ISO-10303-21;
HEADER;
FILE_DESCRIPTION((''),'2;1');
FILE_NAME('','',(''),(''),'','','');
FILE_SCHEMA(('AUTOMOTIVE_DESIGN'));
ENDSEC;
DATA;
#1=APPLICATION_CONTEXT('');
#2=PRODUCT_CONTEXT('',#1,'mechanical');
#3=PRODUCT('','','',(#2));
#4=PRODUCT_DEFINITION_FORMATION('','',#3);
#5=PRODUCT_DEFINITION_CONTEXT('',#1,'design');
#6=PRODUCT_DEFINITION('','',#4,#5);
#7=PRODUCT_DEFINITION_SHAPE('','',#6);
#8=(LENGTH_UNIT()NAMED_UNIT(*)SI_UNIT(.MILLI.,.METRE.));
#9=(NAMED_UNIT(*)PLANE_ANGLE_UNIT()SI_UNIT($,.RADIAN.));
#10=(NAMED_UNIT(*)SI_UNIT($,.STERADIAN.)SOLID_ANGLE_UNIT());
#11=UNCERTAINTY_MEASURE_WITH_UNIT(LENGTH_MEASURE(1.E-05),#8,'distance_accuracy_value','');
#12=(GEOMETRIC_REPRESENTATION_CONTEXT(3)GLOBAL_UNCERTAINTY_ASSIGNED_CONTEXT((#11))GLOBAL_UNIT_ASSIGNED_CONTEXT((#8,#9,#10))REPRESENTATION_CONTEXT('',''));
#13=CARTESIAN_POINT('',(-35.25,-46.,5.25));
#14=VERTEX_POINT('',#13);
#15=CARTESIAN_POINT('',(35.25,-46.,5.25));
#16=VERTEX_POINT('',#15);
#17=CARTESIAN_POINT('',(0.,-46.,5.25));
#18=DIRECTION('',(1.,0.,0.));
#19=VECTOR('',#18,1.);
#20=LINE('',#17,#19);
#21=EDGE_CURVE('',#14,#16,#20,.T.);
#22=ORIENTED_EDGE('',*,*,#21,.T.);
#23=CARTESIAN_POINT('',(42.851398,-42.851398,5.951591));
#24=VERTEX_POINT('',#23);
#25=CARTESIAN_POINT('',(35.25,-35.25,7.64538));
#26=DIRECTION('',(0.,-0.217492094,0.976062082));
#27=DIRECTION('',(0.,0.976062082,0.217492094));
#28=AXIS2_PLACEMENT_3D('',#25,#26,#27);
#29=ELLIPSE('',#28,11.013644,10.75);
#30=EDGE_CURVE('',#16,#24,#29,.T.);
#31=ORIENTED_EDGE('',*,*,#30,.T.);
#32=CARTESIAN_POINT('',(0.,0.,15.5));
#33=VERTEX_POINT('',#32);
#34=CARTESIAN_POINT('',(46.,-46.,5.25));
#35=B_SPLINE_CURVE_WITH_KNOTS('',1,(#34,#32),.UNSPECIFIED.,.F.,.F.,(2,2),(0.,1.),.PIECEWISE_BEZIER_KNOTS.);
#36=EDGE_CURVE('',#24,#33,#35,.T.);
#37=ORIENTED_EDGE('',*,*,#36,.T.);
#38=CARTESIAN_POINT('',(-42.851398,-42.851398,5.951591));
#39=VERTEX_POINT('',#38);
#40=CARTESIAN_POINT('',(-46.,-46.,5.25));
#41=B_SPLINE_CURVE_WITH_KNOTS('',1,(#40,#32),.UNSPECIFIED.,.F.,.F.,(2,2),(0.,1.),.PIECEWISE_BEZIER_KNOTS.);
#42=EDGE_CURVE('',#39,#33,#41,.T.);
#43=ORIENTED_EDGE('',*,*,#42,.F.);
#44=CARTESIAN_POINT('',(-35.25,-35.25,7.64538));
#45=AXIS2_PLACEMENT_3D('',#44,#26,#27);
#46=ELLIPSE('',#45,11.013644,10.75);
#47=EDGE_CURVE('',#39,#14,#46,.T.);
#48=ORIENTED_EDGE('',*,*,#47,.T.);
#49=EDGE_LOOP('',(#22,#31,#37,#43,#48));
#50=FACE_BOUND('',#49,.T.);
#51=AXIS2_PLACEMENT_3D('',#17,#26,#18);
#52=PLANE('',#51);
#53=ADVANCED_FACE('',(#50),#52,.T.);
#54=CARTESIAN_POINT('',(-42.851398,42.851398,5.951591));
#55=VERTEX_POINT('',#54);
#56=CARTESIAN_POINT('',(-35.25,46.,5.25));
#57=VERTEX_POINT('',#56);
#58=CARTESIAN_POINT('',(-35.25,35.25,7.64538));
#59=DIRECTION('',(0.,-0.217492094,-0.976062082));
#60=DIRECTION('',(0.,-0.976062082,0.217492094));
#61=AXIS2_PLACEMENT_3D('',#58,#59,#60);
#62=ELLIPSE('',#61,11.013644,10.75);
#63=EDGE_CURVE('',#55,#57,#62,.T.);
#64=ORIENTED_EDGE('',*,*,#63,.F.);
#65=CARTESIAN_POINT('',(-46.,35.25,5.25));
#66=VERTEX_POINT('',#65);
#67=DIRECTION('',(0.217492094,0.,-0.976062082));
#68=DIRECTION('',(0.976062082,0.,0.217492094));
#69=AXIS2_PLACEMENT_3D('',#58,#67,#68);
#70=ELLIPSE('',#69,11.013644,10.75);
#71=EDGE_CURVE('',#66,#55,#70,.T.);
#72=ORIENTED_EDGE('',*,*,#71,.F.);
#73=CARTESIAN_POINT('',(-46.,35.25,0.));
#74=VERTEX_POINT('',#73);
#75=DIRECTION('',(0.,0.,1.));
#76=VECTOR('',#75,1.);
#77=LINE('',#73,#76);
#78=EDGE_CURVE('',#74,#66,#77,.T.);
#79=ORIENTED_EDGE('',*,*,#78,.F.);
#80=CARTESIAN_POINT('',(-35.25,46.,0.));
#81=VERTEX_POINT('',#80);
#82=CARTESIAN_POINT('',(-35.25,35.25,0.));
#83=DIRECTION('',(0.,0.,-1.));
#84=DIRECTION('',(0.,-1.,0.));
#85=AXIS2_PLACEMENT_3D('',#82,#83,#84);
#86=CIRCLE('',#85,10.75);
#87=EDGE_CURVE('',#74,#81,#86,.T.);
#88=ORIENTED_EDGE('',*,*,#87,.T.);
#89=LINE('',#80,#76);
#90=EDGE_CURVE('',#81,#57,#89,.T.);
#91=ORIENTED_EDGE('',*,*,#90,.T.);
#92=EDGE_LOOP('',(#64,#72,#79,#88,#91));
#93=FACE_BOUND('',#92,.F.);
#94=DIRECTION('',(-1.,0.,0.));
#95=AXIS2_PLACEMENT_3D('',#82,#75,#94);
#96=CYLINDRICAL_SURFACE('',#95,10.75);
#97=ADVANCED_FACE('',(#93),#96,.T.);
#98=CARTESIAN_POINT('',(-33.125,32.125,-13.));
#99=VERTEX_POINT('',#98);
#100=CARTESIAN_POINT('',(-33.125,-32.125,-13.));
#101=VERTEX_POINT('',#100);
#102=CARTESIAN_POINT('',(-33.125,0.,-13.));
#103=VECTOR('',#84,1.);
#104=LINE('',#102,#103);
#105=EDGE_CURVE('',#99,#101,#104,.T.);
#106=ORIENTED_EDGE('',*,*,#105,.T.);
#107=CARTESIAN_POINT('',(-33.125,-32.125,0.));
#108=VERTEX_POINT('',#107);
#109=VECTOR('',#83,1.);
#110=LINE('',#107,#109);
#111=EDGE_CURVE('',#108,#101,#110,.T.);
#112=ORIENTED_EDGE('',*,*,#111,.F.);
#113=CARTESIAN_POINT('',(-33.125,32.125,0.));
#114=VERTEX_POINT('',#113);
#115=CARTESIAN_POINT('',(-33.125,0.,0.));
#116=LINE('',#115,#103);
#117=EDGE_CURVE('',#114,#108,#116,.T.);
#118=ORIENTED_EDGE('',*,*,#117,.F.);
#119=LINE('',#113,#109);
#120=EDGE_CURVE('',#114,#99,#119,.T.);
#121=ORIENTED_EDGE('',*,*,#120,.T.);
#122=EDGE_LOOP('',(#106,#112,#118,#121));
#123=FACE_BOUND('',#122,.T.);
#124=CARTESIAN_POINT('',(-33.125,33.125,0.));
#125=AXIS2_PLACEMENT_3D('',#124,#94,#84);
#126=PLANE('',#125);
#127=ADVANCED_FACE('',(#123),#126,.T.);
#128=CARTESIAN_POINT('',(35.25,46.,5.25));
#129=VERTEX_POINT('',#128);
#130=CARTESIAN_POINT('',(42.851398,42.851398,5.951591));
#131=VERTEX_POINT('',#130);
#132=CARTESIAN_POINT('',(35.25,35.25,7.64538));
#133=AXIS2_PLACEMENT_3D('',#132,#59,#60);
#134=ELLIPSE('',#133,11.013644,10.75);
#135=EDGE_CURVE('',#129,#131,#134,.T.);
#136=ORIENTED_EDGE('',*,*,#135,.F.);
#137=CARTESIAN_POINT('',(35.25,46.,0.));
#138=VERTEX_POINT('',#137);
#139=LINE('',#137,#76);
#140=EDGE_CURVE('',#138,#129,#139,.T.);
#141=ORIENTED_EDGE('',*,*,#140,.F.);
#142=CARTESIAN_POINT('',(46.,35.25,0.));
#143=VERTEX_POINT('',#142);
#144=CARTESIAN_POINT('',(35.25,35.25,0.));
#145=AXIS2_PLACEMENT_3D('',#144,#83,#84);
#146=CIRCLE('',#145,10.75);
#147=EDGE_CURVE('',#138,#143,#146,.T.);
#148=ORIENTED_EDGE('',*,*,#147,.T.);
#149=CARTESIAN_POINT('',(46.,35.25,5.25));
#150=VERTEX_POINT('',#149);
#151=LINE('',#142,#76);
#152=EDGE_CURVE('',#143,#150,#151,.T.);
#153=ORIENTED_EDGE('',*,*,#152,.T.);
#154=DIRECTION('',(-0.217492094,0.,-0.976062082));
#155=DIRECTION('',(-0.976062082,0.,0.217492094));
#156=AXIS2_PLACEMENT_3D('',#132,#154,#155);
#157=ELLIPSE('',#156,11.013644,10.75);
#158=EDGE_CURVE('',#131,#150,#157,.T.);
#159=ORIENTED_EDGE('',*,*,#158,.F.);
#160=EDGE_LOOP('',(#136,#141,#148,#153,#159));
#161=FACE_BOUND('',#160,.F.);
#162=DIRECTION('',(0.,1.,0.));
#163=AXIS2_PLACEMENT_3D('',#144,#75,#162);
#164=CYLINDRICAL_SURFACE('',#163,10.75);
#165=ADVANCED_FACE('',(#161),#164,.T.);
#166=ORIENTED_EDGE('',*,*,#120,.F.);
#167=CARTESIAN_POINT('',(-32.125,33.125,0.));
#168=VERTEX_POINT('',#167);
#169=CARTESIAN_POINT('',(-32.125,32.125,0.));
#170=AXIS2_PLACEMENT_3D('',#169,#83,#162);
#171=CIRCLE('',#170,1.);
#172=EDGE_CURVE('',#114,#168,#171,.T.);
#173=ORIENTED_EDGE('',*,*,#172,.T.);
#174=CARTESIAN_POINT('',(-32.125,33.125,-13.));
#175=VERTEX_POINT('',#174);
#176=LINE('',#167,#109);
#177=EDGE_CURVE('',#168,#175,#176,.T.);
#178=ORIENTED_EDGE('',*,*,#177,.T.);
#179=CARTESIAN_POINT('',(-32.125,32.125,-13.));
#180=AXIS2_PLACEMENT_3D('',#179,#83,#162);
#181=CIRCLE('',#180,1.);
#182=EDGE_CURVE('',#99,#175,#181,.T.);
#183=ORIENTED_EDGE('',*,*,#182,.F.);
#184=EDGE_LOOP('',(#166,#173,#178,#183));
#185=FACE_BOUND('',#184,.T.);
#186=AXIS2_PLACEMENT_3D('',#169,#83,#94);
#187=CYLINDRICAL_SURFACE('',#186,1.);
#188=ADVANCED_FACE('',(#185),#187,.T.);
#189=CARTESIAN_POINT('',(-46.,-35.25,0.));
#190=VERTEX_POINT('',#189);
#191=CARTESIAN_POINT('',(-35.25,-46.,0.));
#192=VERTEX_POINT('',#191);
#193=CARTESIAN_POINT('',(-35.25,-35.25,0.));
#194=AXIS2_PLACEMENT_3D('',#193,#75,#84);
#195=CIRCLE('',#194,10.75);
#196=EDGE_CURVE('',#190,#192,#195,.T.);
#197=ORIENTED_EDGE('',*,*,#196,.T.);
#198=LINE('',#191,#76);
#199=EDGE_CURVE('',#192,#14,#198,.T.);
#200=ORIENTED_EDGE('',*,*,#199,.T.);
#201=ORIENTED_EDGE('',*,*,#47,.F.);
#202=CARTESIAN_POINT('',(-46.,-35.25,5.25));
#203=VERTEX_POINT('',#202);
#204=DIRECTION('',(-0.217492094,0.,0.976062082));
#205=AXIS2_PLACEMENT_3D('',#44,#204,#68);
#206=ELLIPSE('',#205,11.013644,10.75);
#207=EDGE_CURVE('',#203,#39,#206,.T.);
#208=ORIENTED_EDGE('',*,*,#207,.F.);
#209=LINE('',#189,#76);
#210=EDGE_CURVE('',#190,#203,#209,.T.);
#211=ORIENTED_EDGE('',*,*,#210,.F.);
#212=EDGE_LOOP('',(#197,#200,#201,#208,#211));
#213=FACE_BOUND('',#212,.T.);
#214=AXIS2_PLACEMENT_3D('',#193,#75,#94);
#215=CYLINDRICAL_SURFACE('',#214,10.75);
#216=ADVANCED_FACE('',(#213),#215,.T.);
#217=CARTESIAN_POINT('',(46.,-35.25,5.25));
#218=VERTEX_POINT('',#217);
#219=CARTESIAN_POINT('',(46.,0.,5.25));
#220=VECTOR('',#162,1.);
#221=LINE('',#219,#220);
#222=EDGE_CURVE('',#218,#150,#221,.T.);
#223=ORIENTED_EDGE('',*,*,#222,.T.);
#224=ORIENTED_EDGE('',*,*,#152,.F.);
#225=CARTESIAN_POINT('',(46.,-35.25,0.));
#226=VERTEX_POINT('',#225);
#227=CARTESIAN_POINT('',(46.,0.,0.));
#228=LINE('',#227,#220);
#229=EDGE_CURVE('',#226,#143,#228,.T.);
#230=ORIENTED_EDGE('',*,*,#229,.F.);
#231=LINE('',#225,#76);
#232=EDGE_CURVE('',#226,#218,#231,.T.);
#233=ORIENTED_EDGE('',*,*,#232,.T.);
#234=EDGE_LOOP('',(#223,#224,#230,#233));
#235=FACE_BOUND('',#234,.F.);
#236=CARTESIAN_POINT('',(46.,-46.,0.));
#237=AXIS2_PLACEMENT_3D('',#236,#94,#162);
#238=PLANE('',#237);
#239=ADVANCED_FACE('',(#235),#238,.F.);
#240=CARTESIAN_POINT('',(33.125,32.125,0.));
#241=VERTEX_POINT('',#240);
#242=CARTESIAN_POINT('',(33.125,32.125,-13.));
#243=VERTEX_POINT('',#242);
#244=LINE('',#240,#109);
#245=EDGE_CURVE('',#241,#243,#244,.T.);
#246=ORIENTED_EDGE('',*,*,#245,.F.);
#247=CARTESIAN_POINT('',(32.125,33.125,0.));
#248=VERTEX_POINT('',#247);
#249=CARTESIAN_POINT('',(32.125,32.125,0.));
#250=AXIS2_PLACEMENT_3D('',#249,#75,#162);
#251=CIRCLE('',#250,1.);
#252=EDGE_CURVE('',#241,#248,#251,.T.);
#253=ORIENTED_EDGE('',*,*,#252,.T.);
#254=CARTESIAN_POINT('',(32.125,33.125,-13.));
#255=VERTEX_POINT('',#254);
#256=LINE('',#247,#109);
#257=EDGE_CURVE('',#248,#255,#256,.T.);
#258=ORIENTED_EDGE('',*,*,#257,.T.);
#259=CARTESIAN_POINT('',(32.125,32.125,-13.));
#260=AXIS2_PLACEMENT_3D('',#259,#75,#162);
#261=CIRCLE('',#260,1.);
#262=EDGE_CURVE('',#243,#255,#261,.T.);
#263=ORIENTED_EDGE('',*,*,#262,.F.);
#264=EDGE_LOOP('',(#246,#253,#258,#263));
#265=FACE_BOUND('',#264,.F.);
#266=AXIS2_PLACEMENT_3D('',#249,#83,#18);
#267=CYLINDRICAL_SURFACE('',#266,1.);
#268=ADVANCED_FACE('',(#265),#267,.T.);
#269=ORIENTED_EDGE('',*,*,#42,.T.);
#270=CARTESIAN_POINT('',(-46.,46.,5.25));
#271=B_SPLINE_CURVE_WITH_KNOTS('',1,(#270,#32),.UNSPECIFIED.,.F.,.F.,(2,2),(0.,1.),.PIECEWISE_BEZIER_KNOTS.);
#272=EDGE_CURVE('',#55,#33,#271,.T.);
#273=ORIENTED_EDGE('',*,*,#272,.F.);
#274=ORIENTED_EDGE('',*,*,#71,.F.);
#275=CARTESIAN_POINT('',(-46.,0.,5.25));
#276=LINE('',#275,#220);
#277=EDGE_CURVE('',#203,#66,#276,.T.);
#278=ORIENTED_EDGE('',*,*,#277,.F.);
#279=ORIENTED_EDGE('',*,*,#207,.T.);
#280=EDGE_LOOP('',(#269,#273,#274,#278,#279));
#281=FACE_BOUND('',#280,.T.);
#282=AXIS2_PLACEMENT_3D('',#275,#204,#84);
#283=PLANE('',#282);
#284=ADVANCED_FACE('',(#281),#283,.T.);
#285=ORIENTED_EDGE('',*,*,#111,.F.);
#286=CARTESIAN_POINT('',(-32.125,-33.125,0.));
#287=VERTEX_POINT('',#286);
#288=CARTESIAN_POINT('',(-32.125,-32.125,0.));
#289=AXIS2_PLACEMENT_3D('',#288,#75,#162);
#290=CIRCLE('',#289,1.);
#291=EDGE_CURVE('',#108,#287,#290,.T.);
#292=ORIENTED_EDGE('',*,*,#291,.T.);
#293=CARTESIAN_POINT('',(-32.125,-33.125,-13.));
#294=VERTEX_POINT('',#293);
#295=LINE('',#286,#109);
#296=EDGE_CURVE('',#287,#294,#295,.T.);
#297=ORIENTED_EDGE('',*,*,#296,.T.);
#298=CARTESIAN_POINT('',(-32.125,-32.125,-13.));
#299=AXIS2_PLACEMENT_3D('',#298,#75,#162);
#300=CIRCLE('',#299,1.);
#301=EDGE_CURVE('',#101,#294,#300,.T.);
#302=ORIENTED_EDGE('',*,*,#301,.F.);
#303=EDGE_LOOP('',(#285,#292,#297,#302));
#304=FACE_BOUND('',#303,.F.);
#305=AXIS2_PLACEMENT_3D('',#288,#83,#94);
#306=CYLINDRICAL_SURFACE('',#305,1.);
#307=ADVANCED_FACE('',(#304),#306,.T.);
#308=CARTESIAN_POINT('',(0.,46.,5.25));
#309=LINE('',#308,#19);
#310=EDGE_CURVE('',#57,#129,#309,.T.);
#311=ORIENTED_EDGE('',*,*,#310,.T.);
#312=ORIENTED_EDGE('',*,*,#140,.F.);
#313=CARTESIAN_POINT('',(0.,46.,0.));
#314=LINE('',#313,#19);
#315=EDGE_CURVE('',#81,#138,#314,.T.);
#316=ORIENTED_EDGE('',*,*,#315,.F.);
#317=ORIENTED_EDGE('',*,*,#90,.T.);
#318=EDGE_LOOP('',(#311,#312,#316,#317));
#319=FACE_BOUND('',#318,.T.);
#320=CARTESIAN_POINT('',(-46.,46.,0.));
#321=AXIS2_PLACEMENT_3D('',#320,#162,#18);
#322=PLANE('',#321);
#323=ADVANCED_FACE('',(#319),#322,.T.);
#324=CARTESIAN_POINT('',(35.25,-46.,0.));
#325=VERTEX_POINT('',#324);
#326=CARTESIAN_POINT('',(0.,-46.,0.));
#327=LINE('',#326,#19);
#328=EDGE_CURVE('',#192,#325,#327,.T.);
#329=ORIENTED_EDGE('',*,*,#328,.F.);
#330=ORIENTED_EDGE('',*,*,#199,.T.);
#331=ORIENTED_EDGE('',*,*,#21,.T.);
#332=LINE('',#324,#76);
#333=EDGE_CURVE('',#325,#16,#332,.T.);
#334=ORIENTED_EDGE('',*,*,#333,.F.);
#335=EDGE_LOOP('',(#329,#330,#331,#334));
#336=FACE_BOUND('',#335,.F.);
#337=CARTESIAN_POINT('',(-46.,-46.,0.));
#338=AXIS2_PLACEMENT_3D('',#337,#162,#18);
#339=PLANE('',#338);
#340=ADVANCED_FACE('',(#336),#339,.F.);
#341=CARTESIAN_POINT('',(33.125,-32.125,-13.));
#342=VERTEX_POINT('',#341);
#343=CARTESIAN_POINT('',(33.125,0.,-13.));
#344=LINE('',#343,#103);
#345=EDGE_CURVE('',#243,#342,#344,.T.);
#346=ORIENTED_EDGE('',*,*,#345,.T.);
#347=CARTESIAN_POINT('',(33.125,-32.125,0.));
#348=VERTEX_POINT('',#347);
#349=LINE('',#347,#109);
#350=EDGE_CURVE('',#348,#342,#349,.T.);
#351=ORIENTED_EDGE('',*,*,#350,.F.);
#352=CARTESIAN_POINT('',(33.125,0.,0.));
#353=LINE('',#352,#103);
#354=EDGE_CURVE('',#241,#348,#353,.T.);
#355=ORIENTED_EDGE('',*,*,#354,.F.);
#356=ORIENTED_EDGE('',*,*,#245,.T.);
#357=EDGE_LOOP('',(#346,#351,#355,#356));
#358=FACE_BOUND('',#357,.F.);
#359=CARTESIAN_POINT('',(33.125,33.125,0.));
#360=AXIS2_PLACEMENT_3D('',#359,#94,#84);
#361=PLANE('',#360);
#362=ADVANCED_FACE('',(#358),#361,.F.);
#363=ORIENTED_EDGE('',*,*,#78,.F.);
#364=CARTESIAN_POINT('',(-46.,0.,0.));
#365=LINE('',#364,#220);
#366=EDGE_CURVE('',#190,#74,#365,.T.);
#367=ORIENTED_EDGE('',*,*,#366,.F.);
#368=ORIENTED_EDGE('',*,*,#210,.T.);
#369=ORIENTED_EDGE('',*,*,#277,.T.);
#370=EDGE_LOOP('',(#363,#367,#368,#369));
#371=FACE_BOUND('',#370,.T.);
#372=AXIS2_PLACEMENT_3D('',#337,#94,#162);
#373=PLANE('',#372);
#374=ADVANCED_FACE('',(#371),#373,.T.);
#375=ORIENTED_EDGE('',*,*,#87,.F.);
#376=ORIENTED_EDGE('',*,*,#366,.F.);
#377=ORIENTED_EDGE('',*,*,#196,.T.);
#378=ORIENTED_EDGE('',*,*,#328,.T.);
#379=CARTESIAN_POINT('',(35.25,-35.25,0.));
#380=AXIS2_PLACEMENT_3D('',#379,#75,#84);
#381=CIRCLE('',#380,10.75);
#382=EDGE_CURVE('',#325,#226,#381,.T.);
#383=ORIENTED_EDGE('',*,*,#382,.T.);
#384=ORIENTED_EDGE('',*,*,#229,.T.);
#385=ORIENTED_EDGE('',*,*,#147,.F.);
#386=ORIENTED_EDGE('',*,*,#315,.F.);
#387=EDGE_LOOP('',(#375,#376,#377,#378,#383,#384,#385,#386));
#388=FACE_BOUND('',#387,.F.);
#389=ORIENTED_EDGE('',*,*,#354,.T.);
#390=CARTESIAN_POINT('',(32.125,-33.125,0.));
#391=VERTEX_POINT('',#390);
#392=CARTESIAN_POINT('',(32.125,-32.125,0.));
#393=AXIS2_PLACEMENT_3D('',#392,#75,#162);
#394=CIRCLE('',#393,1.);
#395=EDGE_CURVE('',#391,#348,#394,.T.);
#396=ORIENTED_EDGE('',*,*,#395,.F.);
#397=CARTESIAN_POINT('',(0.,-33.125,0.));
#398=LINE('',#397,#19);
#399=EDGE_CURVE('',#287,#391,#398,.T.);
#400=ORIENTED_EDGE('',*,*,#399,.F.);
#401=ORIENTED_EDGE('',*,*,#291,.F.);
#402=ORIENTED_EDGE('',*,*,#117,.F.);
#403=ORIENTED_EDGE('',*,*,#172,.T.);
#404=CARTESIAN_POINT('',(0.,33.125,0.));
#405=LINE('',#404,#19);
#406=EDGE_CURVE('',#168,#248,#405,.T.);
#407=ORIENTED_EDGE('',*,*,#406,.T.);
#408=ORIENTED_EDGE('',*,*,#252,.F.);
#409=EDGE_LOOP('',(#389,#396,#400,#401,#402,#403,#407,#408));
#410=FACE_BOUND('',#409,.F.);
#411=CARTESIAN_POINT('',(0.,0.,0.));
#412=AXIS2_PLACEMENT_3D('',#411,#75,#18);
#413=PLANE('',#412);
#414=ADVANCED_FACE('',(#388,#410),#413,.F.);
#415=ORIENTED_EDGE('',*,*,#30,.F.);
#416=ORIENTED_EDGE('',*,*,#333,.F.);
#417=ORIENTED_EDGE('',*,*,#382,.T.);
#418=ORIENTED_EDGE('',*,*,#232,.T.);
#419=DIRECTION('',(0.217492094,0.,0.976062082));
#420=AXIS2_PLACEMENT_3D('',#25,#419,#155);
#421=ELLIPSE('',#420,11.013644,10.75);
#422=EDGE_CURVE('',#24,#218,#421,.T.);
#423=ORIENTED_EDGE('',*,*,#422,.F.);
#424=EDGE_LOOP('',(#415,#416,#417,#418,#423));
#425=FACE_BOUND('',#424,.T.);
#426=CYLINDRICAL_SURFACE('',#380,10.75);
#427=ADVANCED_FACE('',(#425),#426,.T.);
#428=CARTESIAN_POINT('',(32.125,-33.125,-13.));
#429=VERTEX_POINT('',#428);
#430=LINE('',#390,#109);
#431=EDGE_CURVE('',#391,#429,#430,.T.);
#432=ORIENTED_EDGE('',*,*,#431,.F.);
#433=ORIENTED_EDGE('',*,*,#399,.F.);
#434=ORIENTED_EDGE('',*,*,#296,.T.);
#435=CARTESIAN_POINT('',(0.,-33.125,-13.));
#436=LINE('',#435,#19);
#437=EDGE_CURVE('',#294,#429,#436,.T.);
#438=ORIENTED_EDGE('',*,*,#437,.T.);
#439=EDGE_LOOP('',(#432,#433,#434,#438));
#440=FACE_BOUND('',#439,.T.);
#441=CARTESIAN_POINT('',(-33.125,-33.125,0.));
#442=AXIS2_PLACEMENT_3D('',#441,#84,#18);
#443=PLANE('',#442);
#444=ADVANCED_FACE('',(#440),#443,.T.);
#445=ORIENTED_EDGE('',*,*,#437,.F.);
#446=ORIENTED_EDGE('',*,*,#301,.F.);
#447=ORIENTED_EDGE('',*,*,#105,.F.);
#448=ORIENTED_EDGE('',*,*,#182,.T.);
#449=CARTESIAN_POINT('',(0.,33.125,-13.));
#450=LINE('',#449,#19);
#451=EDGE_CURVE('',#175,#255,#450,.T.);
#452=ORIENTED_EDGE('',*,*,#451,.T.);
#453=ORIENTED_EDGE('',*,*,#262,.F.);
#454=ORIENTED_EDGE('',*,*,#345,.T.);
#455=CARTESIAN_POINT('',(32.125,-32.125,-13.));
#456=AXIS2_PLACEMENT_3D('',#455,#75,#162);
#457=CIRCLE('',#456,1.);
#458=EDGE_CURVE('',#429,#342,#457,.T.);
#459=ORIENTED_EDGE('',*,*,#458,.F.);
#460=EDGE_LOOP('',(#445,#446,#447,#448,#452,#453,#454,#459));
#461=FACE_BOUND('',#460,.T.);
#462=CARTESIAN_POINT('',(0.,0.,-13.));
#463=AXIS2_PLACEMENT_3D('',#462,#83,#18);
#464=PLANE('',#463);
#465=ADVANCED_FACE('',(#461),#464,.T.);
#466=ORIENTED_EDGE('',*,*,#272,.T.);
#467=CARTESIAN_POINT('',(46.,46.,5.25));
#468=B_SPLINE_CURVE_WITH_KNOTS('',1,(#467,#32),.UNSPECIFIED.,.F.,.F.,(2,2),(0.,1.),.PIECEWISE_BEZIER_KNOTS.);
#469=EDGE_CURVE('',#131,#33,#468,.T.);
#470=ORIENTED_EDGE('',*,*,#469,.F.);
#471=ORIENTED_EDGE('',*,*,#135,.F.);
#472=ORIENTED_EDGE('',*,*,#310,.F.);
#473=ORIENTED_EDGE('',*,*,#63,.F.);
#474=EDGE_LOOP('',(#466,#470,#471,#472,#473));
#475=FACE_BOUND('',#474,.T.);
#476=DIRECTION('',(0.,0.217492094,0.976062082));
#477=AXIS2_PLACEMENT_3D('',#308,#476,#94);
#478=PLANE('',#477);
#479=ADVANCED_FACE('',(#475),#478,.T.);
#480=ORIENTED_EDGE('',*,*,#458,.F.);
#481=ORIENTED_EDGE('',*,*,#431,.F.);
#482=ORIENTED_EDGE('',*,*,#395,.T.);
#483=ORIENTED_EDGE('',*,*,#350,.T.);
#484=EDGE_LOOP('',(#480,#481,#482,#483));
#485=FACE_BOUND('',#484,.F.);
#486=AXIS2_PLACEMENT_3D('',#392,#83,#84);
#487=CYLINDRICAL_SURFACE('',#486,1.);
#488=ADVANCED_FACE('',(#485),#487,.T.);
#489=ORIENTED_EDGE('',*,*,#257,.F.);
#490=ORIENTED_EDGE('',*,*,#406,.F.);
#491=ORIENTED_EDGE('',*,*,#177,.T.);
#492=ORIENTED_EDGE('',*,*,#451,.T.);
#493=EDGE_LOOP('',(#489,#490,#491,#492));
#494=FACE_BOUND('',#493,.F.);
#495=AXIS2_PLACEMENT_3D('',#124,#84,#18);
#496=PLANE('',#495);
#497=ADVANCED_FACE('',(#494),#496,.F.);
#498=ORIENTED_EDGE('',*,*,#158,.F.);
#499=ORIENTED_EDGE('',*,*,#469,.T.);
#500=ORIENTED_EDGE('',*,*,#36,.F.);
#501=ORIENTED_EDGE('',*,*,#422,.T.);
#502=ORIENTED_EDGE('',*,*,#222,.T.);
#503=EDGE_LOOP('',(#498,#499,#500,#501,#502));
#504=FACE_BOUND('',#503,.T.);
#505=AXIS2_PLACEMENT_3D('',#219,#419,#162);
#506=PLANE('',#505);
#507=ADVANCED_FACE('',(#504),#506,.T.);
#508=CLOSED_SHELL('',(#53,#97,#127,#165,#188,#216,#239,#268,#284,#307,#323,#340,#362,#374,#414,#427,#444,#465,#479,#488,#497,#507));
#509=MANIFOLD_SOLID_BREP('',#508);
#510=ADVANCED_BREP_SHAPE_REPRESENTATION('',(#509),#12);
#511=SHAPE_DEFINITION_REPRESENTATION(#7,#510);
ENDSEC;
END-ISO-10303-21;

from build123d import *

# Parameters (mm, degrees)
F0_W      = 92
F0_H      = 92
F1_DEPTH  = 5.25
F1_FACE_W = 92
F1_FACE_H = 92
F5_R      = 10.75
F6_W      = 66.25
F6_H      = 66.25
F7_DEPTH  = 13
F8_R      = 1


with BuildPart() as f1:
    # F0 (on Top) → F1 (new body)
    with BuildSketch(Plane.XY):
        Rectangle(F0_W, F0_H)
    extrude(amount=F1_DEPTH)

    # F1_face (on face) → F4 section 0
    with BuildSketch(Plane.XY.offset(5.25), mode=Mode.PRIVATE) as f4_s0:
        Rectangle(F1_FACE_W, F1_FACE_H)
    loft([f4_s0.sketch, Vertex(0, 0, 15.5)])

    # F5
    f5_edges = [f1.edges().sort_by_distance(p)[0] for p in [
        (-46, -46, 2.625),
        (46, -46, 2.625),
        (46, 46, 2.625),
        (-46, 46, 2.625),
    ]]
    fillet(f5_edges, radius=F5_R)

    # F6 (on face) → F7 (join)
    with BuildSketch(Plane(origin=(0, 0, 0), x_dir=(1, 0, 0), z_dir=(0, 0, -1))):
        Rectangle(F6_W, F6_H)
    extrude(amount=F7_DEPTH)

    # F8
    f8_edges = [f1.edges().sort_by_distance(p)[0] for p in [
        (33.125, 33.125, -6.5),
        (-33.125, 33.125, -6.5),
        (-33.125, -33.125, -6.5),
        (33.125, -33.125, -6.5),
    ]]
    fillet(f8_edges, radius=F8_R)


solid = f1.part
